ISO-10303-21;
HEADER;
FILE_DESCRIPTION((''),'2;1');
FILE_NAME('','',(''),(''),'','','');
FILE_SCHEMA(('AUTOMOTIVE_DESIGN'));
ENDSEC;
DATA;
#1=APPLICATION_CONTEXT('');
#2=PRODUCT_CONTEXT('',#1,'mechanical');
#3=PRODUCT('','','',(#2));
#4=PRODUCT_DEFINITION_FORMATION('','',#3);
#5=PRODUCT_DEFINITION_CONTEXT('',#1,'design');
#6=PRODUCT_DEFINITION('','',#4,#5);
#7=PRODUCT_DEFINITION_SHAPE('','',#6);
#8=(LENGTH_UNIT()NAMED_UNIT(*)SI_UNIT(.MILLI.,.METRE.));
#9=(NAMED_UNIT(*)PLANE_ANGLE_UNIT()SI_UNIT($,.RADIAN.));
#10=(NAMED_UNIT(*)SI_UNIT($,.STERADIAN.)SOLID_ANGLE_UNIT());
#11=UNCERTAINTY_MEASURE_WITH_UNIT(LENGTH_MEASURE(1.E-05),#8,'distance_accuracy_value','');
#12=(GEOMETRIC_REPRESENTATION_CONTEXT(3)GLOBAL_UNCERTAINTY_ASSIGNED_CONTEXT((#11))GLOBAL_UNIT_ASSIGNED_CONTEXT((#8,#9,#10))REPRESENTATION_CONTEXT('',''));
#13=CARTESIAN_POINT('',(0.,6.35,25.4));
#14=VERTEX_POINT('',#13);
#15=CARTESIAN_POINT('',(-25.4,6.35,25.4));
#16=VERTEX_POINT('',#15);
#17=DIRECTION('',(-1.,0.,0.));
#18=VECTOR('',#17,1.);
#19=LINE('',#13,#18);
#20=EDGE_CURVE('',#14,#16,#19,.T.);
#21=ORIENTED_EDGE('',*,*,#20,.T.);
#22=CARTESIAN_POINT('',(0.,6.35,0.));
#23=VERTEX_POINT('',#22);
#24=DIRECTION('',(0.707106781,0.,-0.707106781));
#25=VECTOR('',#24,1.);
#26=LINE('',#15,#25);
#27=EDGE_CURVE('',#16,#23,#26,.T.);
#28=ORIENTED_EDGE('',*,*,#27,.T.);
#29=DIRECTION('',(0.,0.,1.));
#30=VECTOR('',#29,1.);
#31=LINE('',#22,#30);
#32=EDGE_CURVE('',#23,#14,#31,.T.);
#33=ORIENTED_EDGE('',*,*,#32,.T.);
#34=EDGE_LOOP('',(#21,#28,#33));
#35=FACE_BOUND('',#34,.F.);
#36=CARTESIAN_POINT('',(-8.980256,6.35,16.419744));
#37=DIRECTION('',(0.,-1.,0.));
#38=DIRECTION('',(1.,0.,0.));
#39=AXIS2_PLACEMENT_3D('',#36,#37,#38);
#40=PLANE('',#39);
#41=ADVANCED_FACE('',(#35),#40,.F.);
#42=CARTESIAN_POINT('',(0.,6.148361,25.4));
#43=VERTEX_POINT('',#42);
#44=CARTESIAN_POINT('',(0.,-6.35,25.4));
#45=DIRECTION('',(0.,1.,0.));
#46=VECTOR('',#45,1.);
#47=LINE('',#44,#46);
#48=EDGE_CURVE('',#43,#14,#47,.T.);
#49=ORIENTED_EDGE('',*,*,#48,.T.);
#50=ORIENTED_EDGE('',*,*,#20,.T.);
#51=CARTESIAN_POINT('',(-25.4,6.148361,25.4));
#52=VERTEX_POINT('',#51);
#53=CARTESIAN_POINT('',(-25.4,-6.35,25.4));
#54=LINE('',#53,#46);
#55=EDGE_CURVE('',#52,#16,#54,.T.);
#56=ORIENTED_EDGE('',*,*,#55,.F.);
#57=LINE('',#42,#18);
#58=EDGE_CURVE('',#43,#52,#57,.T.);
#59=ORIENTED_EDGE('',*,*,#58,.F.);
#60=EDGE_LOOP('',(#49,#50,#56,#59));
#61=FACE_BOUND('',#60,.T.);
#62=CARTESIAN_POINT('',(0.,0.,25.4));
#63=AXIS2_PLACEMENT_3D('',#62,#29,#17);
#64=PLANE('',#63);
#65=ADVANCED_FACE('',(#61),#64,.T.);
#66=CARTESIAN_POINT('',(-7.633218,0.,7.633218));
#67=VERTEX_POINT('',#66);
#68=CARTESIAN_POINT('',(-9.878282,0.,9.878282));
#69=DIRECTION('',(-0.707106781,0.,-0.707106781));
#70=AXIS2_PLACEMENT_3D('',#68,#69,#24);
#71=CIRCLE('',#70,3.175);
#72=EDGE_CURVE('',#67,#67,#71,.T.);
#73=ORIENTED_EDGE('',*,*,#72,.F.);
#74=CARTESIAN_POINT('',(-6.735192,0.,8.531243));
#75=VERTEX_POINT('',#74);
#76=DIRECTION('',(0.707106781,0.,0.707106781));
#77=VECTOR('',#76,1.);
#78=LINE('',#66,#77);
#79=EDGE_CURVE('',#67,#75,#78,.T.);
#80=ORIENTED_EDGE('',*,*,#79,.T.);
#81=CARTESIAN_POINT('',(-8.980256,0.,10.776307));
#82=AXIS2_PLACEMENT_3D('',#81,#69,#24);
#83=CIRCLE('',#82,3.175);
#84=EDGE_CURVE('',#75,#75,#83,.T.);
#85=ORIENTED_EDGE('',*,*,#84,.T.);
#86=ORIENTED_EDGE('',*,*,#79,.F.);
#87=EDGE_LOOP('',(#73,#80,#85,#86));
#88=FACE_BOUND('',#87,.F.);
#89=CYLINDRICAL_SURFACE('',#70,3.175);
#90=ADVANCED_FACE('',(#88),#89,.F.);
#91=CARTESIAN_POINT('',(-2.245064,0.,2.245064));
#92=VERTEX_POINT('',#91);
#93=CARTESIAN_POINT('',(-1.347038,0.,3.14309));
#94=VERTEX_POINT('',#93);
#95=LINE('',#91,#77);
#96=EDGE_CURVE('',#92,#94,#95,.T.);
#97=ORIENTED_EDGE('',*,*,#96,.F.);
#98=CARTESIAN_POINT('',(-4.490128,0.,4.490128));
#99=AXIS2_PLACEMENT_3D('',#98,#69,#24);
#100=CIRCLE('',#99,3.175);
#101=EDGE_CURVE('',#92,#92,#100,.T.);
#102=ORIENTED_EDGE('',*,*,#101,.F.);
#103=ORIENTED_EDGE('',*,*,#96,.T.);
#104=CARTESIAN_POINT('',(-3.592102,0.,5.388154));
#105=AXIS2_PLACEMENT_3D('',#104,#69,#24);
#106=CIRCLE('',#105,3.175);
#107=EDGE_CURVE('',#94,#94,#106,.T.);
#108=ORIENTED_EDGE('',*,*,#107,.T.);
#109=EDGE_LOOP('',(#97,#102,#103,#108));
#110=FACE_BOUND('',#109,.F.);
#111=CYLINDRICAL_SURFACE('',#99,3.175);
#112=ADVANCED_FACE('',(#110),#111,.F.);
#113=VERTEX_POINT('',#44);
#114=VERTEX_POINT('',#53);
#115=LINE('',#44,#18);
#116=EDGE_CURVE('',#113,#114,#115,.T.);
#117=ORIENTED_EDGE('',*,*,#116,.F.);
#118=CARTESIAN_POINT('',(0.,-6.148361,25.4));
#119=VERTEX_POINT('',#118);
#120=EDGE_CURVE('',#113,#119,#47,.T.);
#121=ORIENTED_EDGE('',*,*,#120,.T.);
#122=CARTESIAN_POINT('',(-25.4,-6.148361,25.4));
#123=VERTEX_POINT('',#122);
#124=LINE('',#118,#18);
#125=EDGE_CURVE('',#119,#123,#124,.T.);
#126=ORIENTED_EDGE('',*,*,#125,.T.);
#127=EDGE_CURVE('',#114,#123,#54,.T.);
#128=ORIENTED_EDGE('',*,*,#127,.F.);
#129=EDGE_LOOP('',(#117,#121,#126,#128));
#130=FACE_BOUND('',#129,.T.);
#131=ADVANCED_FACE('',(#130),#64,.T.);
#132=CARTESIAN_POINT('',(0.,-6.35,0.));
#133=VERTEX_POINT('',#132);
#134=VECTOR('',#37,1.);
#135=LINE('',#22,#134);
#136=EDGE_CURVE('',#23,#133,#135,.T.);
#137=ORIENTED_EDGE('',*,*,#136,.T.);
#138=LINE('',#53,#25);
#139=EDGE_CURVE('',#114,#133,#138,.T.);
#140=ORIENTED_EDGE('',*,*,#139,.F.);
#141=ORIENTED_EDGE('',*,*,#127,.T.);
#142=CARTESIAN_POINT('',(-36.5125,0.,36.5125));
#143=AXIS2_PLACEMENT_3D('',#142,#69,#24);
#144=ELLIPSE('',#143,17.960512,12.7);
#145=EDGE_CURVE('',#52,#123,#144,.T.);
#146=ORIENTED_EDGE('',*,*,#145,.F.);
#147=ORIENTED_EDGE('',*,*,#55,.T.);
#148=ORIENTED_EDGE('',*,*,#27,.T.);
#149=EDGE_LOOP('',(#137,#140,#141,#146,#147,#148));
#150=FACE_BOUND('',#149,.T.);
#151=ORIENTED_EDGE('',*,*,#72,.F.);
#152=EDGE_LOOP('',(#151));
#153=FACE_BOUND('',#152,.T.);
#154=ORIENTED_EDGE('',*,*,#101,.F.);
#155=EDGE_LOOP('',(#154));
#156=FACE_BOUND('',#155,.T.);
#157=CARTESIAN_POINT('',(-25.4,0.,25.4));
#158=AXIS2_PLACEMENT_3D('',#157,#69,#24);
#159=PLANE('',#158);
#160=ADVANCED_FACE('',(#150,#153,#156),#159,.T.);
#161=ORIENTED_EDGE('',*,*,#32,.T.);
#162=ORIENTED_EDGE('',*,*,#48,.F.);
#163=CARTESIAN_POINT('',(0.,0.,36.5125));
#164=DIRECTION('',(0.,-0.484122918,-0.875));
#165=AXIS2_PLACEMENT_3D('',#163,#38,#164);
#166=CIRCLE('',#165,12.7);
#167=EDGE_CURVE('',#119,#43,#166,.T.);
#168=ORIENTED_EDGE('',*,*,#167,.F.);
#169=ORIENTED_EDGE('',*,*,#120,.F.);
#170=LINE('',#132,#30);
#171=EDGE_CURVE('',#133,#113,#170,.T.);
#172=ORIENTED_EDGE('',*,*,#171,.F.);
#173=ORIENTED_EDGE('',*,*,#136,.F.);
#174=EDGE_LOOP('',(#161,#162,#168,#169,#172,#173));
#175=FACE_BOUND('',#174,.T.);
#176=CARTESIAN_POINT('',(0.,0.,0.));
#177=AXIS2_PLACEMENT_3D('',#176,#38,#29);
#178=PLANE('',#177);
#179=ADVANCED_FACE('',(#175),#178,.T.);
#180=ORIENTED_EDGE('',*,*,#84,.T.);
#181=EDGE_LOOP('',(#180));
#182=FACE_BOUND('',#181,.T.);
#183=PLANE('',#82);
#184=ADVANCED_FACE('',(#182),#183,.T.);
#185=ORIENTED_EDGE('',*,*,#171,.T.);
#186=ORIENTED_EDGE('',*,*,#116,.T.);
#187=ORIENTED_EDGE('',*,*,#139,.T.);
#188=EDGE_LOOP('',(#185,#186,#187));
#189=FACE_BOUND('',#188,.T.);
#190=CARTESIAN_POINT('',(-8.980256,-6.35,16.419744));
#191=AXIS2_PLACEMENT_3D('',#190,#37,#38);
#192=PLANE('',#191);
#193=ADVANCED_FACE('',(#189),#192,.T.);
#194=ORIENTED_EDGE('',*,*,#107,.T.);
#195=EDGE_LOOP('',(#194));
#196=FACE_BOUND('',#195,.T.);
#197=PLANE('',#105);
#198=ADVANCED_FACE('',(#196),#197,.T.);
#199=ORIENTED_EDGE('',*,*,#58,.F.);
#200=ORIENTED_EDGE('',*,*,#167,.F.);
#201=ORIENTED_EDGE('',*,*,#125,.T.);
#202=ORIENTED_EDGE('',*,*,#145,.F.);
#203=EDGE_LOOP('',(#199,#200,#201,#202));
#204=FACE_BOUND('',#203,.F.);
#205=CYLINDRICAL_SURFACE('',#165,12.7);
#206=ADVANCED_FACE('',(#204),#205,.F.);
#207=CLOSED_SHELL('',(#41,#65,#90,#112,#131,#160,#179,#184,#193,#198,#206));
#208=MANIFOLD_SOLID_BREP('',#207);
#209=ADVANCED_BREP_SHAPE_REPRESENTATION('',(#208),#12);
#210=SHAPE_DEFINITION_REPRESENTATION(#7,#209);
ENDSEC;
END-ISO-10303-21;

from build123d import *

# Parameters (mm, degrees)
F1_DEPTH = 6.35
F2_R     = 3.175
F3_DEPTH = 1.27
F5_DEPTH = 25.4


with BuildPart() as f1:
    # F0 (on Front) → F1 (new body, symmetric)
    with BuildSketch(Plane.XZ):
        Polygon((-25.4, 25.4), (0, 0), (0, 25.4), align=None)
    extrude(amount=F1_DEPTH, both=True)

    # F2 (on face) → F3 (cut)
    with BuildSketch(Plane(origin=(0, 0, 0), x_dir=(0.7071067812, 0, -0.7071067812), z_dir=(-0.7071067812, 0, -0.7071067812))):
        with Locations((-13.97, 0)):
            Circle(F2_R)
        with Locations((-6.35, 0)):
            Circle(F2_R)
    extrude(amount=-F3_DEPTH, mode=Mode.SUBTRACT)

    # F4 (on face) → F5 (cut)
    with BuildSketch(Plane.YZ):
        with BuildLine():
            ThreePointArc((6.1483610621, 25.4), (10.9401596307, 30.0624684299), (12.7, 36.5125))
            ThreePointArc((12.7, 36.5125), (-6.4500315701, 47.4526596307), (-6.1483610621, 25.4))
            Line((-6.1483610621, 25.4), (6.1483610621, 25.4))
        make_face()
        with BuildLine():
            Line((6.1483610621, 25.4), (-6.1483610621, 25.4))
            ThreePointArc((-6.1483610621, 25.4), (0, 23.8125), (6.1483610621, 25.4))
        make_face()
    extrude(amount=-F5_DEPTH, mode=Mode.SUBTRACT)


solid = f1.part
